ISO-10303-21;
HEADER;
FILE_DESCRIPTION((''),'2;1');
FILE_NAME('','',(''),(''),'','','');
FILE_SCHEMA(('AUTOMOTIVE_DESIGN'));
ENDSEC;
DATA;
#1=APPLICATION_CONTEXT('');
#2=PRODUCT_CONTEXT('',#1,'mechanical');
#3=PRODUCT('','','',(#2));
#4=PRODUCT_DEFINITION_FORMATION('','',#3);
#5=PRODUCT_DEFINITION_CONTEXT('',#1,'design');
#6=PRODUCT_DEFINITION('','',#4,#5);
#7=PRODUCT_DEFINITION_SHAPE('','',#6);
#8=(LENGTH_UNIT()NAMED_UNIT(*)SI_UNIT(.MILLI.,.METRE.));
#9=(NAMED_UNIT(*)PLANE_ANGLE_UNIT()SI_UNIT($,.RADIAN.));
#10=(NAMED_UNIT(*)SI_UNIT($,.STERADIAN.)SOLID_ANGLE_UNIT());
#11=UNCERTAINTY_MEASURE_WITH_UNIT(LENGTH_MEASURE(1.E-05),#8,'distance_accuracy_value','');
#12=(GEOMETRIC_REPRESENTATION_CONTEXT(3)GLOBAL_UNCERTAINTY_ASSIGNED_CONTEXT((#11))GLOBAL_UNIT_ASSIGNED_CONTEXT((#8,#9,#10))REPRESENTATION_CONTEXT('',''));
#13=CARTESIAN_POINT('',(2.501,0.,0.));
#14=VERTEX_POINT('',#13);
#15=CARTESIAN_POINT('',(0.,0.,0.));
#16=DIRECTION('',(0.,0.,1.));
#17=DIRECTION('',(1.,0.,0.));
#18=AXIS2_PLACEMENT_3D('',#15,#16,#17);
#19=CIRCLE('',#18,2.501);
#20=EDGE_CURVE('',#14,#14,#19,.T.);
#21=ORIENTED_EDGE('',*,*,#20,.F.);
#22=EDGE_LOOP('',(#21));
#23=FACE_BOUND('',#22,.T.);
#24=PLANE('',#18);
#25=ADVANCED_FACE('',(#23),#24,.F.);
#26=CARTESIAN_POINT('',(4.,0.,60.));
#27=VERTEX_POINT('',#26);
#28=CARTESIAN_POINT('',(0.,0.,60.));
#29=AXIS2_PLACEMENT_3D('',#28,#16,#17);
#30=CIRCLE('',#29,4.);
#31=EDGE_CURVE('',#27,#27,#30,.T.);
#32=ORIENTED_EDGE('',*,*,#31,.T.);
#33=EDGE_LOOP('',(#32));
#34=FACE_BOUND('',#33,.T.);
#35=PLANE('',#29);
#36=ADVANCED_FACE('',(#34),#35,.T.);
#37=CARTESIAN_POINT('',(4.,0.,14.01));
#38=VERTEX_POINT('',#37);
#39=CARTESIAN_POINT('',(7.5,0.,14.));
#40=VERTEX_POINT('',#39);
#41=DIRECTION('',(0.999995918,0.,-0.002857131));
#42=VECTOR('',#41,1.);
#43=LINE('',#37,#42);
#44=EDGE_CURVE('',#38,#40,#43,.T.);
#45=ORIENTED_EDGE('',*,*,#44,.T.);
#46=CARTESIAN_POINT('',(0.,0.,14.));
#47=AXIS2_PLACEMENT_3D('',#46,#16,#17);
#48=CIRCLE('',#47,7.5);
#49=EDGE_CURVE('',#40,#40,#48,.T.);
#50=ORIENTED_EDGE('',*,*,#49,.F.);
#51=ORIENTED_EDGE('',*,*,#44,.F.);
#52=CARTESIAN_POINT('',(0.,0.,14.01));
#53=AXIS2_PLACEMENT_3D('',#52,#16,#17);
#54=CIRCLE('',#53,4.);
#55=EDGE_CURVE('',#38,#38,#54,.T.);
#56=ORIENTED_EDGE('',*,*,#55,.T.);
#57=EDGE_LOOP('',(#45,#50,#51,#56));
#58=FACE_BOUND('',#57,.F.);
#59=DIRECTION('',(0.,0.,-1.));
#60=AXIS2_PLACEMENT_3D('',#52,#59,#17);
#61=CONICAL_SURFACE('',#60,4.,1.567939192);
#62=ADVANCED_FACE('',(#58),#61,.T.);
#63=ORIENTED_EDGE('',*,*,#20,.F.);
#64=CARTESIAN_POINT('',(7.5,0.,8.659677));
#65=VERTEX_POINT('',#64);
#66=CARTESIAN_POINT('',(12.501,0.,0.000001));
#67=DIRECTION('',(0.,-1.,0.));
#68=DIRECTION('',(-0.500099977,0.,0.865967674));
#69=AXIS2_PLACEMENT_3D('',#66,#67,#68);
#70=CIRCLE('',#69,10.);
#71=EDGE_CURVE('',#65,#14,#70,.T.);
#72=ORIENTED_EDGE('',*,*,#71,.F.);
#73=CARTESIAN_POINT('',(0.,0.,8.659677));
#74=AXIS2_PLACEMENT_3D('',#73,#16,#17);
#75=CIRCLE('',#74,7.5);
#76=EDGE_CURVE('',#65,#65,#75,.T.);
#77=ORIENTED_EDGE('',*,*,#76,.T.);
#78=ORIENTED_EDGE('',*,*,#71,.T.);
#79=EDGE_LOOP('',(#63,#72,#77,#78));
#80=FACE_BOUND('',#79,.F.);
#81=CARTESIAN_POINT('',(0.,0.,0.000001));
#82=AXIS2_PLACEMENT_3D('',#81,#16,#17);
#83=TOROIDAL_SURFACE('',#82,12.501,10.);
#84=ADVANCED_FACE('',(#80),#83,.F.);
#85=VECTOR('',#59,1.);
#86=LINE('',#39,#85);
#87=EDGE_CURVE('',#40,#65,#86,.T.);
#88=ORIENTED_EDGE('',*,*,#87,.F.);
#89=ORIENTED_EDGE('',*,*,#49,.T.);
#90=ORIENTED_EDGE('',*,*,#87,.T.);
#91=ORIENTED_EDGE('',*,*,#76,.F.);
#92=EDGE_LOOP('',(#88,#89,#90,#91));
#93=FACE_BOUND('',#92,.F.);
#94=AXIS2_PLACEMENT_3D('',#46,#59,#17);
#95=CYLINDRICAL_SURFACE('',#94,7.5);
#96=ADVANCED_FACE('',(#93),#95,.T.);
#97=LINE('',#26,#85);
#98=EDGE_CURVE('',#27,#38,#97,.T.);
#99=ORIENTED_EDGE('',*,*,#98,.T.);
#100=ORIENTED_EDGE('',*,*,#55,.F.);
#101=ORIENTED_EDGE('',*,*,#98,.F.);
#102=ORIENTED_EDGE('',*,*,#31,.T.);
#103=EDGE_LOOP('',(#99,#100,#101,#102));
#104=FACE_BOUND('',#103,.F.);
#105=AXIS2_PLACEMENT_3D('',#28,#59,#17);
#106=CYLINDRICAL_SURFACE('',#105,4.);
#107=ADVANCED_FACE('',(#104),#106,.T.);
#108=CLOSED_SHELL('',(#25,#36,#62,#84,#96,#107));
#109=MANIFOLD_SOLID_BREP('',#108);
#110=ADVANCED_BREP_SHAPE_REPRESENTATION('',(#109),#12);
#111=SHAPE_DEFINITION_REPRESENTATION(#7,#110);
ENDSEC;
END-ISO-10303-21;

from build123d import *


with BuildPart() as part:
    # Sketch → Revolution (revolve)
    with BuildSketch(Plane.XZ):
        with BuildLine():
            Line((0, 60), (0, 0))
            Line((0, 0), (2.501, 0))
            ThreePointArc((7.5, 8.659677), (3.840457, 4.9995), (2.501, 0))
            Line((7.5, 14), (7.5, 8.659677))
            Line((4, 14.01), (7.5, 14))
            Line((4, 60), (4, 14.01))
            Line((4, 60), (0, 60))
        make_face()
    revolve(axis=Axis((0, 0, 0), (0, 0, 1)))


solid = part.part
